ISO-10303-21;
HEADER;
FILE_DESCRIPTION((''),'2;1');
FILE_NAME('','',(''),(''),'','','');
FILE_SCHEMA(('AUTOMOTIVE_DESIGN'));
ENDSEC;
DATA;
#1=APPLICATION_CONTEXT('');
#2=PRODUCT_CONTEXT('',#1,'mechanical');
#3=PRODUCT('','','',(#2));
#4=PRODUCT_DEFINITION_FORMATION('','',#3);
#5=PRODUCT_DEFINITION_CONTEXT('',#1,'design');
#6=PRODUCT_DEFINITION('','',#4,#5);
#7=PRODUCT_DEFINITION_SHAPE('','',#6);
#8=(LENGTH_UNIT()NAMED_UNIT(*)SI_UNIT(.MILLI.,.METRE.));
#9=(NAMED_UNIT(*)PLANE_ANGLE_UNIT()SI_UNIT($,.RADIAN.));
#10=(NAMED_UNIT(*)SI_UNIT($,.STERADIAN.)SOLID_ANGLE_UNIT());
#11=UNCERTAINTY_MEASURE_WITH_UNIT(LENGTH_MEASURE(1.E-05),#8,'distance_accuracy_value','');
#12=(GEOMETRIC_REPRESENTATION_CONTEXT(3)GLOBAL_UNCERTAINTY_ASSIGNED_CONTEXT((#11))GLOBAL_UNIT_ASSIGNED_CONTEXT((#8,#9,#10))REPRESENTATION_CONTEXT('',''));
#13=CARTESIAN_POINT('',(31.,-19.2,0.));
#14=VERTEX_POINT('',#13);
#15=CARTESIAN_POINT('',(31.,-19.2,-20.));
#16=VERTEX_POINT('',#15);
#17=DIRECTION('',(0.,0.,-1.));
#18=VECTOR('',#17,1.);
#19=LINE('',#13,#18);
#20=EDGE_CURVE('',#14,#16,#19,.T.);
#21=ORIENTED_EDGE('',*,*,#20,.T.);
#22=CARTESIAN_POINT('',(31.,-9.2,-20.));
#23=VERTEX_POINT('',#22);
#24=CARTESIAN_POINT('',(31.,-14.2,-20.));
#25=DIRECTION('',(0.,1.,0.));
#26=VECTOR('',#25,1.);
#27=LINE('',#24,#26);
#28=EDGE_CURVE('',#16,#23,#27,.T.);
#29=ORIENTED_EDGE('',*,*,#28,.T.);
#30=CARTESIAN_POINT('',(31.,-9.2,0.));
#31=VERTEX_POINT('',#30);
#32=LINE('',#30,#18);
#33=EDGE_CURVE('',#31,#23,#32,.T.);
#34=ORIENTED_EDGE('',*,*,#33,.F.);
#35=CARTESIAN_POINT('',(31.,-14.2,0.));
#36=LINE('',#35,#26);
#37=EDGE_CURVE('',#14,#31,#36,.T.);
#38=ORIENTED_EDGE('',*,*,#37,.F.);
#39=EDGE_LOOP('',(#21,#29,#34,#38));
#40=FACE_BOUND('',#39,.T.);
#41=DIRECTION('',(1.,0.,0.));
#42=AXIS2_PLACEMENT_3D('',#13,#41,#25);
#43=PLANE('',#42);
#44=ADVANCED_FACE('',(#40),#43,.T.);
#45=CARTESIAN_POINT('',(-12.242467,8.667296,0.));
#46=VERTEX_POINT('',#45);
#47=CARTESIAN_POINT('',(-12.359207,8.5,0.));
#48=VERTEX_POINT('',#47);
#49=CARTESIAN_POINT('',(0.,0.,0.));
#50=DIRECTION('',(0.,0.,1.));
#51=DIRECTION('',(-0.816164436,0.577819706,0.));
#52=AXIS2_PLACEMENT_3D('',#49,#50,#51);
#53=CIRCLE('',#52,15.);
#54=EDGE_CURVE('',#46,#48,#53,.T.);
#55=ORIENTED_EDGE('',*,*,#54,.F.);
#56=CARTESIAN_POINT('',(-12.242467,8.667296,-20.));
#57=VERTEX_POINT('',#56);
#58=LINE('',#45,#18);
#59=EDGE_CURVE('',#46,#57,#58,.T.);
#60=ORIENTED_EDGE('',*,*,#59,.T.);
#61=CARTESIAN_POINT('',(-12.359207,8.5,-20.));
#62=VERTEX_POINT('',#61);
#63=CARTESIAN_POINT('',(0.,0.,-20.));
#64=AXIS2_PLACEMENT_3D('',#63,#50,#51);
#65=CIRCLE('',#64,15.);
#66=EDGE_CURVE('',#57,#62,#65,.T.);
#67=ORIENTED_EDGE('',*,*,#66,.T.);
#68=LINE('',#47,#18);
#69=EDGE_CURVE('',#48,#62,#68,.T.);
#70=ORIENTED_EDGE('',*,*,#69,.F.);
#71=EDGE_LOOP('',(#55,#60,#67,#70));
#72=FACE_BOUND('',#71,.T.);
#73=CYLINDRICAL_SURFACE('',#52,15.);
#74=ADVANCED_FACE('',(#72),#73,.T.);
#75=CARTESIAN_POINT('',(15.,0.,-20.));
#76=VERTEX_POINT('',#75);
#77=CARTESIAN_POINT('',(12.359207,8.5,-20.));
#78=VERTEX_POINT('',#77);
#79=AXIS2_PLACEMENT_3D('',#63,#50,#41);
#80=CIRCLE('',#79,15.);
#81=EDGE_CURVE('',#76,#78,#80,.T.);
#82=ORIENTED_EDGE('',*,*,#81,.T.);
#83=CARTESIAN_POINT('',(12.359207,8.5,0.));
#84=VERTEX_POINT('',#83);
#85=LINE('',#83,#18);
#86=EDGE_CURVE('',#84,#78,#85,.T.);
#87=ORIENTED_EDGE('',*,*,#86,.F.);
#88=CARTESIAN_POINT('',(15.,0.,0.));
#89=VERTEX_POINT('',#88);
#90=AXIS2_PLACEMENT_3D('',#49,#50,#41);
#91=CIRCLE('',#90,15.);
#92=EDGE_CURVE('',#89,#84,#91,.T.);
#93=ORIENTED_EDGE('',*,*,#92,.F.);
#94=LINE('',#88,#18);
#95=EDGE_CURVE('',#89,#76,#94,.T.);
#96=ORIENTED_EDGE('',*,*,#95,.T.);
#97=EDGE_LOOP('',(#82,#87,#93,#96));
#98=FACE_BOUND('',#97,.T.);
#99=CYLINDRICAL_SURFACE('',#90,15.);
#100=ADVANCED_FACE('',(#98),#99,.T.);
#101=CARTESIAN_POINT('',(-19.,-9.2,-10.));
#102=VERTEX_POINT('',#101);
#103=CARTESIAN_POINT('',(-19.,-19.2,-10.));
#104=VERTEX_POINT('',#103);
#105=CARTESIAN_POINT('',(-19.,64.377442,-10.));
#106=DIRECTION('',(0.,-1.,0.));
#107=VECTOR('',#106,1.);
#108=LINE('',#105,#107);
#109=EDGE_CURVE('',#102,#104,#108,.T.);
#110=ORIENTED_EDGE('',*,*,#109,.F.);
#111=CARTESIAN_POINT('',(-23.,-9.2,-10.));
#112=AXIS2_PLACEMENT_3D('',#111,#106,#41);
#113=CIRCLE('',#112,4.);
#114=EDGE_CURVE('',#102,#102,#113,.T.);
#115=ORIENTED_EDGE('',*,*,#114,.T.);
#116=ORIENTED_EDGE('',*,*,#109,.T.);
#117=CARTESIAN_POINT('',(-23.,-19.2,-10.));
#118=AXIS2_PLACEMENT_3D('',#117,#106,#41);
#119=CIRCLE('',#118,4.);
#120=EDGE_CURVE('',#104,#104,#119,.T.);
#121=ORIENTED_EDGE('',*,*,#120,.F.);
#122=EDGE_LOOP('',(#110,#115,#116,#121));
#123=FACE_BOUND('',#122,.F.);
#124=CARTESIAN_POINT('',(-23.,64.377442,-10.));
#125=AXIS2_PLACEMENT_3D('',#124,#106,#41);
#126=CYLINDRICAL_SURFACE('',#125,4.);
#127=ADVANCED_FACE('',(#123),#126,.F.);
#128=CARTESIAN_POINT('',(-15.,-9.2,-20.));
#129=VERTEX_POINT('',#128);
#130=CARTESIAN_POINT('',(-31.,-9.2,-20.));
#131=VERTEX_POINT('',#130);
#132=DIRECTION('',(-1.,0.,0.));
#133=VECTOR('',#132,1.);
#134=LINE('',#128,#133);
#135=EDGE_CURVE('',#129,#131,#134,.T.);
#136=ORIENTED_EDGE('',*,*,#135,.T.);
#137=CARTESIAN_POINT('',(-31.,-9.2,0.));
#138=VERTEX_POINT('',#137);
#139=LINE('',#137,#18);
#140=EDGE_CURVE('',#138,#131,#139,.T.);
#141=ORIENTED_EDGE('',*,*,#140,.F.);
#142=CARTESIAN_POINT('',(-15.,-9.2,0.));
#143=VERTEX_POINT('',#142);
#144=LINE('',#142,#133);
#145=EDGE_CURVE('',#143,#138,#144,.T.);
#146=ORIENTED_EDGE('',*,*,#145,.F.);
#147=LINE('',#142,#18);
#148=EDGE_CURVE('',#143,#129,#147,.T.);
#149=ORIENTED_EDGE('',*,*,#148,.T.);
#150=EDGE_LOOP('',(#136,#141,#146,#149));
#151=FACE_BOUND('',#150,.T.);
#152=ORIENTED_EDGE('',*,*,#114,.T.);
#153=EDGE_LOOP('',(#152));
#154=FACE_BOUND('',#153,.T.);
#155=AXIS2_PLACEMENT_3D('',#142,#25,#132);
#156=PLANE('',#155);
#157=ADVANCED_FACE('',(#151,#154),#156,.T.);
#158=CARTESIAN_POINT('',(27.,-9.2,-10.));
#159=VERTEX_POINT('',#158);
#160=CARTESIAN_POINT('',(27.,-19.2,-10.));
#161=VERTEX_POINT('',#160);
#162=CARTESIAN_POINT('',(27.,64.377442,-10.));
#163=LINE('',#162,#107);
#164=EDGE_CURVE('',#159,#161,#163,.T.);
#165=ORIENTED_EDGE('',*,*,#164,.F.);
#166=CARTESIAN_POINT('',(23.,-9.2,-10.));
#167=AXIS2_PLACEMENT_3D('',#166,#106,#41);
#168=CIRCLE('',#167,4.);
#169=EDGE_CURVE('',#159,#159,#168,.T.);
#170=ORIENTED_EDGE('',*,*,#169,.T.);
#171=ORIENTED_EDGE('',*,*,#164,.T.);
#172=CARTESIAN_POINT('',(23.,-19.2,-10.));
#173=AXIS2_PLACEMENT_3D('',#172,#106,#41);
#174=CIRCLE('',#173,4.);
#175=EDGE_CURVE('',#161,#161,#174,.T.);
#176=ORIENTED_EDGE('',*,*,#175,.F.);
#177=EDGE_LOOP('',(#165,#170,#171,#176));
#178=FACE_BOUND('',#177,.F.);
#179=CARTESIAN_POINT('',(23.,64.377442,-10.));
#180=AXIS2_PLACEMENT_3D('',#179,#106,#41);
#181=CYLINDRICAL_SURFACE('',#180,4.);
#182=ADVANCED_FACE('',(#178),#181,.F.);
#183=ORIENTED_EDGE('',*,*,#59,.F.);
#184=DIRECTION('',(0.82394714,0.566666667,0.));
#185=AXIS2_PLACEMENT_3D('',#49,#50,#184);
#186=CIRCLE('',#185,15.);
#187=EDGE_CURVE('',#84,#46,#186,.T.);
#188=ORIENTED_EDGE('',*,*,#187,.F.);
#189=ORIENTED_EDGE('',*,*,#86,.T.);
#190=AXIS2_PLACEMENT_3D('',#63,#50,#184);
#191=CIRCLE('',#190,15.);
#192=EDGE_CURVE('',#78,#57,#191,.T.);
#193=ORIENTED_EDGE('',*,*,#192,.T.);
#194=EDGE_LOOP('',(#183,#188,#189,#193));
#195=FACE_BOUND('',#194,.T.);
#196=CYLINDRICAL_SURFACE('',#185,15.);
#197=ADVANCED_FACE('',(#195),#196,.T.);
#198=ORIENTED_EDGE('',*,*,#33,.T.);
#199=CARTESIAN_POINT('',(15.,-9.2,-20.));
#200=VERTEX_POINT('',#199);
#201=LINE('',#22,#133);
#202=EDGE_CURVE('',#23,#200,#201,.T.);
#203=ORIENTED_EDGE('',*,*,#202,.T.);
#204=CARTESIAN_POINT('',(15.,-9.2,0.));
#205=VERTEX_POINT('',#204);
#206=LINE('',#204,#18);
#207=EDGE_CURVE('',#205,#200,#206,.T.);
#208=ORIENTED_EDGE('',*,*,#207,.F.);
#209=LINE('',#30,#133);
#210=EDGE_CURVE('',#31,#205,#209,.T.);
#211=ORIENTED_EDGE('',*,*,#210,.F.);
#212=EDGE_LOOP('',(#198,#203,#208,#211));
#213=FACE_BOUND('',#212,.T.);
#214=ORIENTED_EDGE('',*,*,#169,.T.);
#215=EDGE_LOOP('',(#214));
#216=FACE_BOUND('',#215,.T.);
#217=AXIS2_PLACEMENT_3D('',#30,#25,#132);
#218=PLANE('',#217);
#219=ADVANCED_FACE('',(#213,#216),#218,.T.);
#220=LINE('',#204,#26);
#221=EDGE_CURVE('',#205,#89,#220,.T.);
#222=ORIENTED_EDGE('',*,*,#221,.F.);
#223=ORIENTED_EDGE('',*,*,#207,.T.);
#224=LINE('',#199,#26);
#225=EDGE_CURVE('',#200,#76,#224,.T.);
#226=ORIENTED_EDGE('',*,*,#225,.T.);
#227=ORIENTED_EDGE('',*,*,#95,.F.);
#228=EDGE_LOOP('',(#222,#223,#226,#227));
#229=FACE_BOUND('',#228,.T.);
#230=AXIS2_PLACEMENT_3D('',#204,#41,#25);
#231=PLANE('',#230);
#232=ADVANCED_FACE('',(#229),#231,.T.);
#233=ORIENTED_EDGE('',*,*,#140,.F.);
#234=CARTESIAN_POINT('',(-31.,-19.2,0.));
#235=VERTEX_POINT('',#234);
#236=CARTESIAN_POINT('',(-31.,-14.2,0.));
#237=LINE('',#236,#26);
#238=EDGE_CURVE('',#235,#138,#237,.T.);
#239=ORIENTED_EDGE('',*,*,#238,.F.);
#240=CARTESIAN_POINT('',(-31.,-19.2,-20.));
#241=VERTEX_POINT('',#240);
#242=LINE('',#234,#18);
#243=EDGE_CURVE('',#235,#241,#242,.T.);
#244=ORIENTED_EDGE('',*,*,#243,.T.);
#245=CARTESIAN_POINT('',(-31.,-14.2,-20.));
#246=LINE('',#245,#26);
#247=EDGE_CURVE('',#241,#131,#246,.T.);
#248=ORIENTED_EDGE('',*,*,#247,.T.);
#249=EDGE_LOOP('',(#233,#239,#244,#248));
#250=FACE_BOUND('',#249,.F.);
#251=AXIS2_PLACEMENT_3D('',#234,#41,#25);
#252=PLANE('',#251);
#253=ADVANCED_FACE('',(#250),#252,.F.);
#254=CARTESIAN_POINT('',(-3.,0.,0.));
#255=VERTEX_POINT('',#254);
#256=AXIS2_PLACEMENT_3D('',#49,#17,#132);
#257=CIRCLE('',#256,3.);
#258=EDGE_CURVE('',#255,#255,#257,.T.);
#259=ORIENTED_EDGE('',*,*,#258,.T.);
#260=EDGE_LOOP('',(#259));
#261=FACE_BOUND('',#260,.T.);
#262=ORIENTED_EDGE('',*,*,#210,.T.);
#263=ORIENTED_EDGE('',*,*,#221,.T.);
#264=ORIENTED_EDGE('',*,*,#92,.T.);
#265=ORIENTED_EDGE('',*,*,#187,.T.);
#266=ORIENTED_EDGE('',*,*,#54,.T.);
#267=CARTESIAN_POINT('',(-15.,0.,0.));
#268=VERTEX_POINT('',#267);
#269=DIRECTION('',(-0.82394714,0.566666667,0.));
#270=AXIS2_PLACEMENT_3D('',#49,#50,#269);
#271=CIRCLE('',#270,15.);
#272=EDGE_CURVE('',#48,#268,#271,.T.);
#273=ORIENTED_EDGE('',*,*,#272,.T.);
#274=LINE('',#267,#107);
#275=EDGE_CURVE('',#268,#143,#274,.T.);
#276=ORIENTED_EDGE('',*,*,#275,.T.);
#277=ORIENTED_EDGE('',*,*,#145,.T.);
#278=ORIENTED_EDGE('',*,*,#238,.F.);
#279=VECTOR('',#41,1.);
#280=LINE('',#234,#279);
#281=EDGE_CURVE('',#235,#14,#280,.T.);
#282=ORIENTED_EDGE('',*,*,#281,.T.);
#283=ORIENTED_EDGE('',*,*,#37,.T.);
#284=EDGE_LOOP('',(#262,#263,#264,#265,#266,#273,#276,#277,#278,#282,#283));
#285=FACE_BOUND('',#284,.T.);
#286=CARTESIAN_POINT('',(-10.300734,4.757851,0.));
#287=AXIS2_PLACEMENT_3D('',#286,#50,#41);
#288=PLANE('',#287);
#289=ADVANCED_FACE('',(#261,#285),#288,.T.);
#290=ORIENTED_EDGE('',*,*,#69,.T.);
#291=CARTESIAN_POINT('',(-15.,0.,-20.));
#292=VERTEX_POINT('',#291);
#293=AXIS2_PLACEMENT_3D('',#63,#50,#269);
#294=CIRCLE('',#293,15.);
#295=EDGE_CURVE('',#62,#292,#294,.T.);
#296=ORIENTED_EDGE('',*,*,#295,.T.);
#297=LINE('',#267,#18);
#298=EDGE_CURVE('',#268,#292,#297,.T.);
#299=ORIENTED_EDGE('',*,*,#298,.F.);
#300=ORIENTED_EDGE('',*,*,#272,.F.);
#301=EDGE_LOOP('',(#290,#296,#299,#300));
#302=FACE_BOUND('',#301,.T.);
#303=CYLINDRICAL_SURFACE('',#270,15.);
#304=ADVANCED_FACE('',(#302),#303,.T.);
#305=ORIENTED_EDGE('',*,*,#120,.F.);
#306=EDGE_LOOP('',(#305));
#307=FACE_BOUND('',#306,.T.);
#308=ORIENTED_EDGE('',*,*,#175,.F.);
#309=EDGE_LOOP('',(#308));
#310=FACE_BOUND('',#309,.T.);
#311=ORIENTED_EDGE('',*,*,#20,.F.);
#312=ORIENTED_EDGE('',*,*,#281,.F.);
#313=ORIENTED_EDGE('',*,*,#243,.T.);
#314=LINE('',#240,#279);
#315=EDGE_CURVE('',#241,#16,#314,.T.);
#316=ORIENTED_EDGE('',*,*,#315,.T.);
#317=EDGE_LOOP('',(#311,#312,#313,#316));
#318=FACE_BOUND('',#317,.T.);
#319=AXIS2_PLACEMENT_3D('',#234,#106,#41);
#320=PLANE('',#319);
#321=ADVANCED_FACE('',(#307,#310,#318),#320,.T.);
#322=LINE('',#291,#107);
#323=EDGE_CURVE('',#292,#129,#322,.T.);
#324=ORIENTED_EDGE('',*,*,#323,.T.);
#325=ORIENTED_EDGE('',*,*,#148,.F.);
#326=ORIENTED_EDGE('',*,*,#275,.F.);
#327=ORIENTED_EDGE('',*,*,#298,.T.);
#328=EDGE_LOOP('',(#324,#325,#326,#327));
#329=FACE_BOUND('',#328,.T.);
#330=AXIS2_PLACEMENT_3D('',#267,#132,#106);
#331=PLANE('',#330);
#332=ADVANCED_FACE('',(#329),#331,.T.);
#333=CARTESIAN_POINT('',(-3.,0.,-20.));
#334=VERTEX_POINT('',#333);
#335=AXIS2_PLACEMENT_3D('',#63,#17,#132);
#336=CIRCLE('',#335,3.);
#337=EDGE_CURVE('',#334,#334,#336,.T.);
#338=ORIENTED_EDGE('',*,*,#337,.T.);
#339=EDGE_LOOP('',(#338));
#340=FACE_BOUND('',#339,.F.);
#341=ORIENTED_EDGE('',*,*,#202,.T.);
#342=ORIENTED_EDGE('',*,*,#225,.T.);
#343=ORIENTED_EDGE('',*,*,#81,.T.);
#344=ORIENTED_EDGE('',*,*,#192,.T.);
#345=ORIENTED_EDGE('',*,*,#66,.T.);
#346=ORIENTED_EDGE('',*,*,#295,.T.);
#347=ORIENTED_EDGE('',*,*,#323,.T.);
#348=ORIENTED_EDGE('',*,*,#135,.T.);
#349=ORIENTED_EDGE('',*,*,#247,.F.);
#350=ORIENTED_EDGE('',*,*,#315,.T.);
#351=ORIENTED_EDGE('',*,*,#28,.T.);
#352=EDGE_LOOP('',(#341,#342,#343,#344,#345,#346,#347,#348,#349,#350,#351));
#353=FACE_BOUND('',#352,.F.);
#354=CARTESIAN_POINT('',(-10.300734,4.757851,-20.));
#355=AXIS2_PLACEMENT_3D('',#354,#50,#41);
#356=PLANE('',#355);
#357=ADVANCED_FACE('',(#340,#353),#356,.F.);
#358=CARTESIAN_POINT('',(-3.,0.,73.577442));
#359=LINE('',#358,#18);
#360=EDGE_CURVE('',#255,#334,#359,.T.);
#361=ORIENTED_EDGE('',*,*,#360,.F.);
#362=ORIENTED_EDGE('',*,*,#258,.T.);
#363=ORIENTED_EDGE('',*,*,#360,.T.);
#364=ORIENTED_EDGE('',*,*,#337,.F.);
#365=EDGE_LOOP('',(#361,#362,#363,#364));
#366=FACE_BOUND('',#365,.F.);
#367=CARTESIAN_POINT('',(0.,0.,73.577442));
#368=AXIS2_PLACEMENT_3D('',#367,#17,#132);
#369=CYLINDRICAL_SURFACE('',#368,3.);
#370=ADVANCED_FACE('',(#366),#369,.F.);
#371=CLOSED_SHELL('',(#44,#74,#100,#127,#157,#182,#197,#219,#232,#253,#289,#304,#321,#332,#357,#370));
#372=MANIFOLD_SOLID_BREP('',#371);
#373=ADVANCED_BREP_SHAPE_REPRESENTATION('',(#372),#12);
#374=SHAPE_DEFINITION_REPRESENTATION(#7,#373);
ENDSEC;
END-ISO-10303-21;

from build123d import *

# Parameters (mm, degrees)
F0_W       = 3
F0_H       = 10
F1_DEPTH   = 20
F2_D       = 6
F5_D       = 8
F5_ON_F4_D = 8


with BuildPart() as f1:
    # F0 (on Top) → F1 (new body)
    with BuildSketch(Plane.XY):
        with BuildLine():
            ThreePointArc((-12.3592070943, 8.5), (-14.3245960923, 4.4503872632), (-15, 0))
            Line((-15, 0), (-9.5, 0))
            ThreePointArc((-9.5, 0), (-8.0794519161, 4.9972449146), (-4.2426406871, 8.5))
            Line((-4.2426406871, 8.5), (-12.3592070943, 8.5))
        make_face()
        with BuildLine():
            Line((4.2426406871, 8.5), (12.3592070943, 8.5))
            ThreePointArc((12.3592070943, 8.5), (0.1020002099, 14.9996531946), (-12.2424665449, 8.667295593))
            ThreePointArc((-12.2424665449, 8.667295593), (-12.301121226, 8.5838462581), (-12.3592070943, 8.5))
            Line((-12.3592070943, 8.5), (-4.2426406871, 8.5))
            ThreePointArc((-4.2426406871, 8.5), (0, 9.5), (4.2426406871, 8.5))
        make_face()
        with BuildLine():
            Line((-9.5, 0), (9.5, 0))
            ThreePointArc((9.5, 0), (8.0794519161, 4.9972449146), (4.2426406871, 8.5))
            Line((4.2426406871, 8.5), (-4.2426406871, 8.5))
            ThreePointArc((-4.2426406871, 8.5), (-8.0794519161, 4.9972449146), (-9.5, 0))
        make_face()
        with BuildLine():
            Line((-4.2426406871, 8.5), (4.2426406871, 8.5))
            ThreePointArc((4.2426406871, 8.5), (0, 9.5), (-4.2426406871, 8.5))
        make_face()
        with BuildLine():
            Line((9.5, 0), (15, 0))
            ThreePointArc((15, 0), (14.3245960923, 4.4503872632), (12.3592070943, 8.5))
            Line((12.3592070943, 8.5), (4.2426406871, 8.5))
            ThreePointArc((4.2426406871, 8.5), (8.0794519161, 4.9972449146), (9.5, 0))
        make_face()
        with BuildLine():
            ThreePointArc((-9.5, 0), (0, -9.5), (9.5, 0))
            Line((9.5, 0), (-9.5, 0))
        make_face()
        with BuildLine():
            Line((-11, -19.2), (11, -19.2))
            Line((11, -19.2), (11, -9.2))
            Line((11, -9.2), (15, -9.2))
            Line((15, -9.2), (15, 0))
            Line((15, 0), (9.5, 0))
            ThreePointArc((9.5, 0), (0, -9.5), (-9.5, 0))
            Line((-9.5, 0), (-15, 0))
            Line((-15, 0), (-15, -9.2))
            Line((-15, -9.2), (-11, -9.2))
            Line((-11, -9.2), (-11, -19.2))
        make_face()
        Polygon((-28, -19.2), (-11, -19.2), (-11, -9.2), (-15, -9.2), (-28, -9.2), align=None)
        with Locations((-29.5, -14.2)):
            Rectangle(F0_W, F0_H)
        Polygon((11, -19.2), (28, -19.2), (28, -9.2), (15, -9.2), (11, -9.2), align=None)
        with Locations((29.5, -14.2)):
            Rectangle(F0_W, F0_H)
    extrude(amount=-F1_DEPTH)

    # F2 (through all)
    with Locations(Plane.XY):
        with Locations((0, 0)):
            Hole(F2_D / 2)

    # F5 (through all)
    with Locations(Plane(origin=(0, -9.2, 0), x_dir=(-1, 0, 0), z_dir=(0, 1, 0))):
        with Locations((-23, -10)):
            Hole(F5_D / 2)

    # F5 on F4 (through all)
    with Locations(Plane(origin=(0, -9.2, 0), x_dir=(-1, 0, 0), z_dir=(0, 1, 0))):
        with Locations((23, -10)):
            Hole(F5_ON_F4_D / 2)


solid = f1.part
